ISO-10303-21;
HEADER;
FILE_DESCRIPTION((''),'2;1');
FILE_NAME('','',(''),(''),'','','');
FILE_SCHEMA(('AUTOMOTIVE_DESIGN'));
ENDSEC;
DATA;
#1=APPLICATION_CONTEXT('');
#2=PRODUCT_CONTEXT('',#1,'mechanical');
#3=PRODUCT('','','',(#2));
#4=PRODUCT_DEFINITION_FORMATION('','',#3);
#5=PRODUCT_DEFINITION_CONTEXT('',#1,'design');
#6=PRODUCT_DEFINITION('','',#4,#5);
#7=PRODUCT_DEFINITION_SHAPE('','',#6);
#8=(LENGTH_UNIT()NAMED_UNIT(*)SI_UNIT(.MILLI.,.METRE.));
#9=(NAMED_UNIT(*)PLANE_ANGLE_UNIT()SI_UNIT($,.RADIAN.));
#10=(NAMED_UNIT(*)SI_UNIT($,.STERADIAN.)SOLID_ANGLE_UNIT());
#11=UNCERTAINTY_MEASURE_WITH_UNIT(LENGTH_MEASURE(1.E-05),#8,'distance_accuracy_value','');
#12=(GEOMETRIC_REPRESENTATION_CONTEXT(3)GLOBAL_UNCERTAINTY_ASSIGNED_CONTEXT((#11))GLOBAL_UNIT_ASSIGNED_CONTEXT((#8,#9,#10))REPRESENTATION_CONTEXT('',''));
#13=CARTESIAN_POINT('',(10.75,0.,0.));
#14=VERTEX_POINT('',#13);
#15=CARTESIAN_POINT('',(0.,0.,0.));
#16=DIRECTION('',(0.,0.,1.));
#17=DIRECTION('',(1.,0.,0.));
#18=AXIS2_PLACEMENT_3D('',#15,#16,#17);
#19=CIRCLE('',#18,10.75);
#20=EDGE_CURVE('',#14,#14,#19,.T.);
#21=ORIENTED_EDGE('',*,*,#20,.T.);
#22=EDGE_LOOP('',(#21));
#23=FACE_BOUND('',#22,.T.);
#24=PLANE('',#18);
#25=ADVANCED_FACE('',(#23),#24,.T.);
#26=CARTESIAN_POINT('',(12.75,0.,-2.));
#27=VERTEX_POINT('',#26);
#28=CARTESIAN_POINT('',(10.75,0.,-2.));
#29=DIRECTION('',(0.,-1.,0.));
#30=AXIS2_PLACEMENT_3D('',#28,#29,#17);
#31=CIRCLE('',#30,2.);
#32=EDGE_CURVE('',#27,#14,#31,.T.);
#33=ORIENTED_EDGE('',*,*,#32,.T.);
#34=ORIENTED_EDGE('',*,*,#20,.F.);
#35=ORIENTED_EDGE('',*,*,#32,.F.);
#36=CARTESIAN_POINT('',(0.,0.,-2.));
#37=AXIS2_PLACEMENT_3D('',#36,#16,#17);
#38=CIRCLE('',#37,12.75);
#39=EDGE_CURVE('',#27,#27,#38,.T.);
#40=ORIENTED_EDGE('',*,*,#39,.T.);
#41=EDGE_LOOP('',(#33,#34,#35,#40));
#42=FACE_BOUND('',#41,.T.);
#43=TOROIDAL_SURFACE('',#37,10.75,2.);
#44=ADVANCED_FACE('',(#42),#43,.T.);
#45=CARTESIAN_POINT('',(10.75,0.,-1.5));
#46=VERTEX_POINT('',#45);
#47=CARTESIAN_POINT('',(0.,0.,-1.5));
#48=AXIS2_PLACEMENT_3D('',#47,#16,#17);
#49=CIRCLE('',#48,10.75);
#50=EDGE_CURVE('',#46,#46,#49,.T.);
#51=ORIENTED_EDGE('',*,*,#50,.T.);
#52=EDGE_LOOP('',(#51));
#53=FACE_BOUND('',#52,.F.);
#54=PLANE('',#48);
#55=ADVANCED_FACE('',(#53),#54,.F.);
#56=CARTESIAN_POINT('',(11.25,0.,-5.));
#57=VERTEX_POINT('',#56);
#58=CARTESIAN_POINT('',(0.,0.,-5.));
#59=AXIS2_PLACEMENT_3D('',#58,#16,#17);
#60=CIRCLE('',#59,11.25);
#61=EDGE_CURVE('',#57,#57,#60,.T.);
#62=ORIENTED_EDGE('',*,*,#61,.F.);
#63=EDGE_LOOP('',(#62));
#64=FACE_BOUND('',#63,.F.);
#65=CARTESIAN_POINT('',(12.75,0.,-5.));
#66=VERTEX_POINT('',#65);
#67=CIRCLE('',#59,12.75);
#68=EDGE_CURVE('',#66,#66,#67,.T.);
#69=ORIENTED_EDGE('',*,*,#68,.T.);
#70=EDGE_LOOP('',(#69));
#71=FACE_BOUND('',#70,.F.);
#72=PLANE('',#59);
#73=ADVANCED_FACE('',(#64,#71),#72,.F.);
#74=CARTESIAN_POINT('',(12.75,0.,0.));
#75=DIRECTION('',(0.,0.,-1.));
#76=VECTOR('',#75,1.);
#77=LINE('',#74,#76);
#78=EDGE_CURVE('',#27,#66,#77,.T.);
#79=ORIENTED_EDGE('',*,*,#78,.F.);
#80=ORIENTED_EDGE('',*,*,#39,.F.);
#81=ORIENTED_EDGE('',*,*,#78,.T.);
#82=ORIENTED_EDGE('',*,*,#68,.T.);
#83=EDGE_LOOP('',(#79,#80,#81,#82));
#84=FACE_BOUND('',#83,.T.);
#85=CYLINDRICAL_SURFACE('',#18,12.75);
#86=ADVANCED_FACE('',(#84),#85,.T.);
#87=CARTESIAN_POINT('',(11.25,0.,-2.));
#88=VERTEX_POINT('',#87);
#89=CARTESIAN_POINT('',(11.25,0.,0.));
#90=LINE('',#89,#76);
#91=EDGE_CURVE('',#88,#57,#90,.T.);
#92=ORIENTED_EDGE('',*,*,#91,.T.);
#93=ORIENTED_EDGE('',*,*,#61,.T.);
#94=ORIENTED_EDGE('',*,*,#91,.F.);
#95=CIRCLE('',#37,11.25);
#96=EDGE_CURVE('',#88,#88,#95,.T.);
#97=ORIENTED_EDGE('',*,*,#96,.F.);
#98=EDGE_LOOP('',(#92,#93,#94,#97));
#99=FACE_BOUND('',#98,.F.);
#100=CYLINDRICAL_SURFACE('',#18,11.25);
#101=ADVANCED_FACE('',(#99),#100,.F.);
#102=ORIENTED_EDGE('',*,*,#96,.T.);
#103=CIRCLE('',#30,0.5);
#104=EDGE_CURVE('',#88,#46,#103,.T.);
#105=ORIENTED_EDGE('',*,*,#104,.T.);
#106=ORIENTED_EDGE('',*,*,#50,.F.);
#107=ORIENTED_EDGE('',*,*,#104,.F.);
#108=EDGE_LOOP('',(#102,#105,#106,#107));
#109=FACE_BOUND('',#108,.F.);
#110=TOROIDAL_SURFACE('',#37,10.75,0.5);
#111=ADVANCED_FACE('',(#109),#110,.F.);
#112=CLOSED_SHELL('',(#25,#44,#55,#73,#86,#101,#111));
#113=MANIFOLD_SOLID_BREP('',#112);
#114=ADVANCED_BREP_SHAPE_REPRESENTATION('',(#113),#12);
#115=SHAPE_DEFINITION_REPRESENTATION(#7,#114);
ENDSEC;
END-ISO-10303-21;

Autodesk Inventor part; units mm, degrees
ref_plane "YZ Plane" through (0, 0, 0) normal (1, 0, 0) x (0, 1, 0)
ref_plane "XZ Plane" through (0, 0, 0) normal (0, 1, 0) x (-1, 0, 0)
ref_plane "XY Plane" through (0, 0, 0) normal (0, 0, 1) x (1, 0, 0)
sketch "草图1" plane through (0, 0, 0) normal (0, 0, 1) x (1, 0, 0)
  circle A0 centre (0, 0) radius 12.75
  dimension "d0" = 25.5
extrude "拉伸1" add sketch "草图1" against normal blind 5
fillet "圆角1" radius 2 1 edges at (-12.75, 0, 0)
shell "抽壳1" thickness 1.5 removed faces 1 at (4.8553, -3.9738, -5)
properties part number "Buttonx26" material "玻璃"
